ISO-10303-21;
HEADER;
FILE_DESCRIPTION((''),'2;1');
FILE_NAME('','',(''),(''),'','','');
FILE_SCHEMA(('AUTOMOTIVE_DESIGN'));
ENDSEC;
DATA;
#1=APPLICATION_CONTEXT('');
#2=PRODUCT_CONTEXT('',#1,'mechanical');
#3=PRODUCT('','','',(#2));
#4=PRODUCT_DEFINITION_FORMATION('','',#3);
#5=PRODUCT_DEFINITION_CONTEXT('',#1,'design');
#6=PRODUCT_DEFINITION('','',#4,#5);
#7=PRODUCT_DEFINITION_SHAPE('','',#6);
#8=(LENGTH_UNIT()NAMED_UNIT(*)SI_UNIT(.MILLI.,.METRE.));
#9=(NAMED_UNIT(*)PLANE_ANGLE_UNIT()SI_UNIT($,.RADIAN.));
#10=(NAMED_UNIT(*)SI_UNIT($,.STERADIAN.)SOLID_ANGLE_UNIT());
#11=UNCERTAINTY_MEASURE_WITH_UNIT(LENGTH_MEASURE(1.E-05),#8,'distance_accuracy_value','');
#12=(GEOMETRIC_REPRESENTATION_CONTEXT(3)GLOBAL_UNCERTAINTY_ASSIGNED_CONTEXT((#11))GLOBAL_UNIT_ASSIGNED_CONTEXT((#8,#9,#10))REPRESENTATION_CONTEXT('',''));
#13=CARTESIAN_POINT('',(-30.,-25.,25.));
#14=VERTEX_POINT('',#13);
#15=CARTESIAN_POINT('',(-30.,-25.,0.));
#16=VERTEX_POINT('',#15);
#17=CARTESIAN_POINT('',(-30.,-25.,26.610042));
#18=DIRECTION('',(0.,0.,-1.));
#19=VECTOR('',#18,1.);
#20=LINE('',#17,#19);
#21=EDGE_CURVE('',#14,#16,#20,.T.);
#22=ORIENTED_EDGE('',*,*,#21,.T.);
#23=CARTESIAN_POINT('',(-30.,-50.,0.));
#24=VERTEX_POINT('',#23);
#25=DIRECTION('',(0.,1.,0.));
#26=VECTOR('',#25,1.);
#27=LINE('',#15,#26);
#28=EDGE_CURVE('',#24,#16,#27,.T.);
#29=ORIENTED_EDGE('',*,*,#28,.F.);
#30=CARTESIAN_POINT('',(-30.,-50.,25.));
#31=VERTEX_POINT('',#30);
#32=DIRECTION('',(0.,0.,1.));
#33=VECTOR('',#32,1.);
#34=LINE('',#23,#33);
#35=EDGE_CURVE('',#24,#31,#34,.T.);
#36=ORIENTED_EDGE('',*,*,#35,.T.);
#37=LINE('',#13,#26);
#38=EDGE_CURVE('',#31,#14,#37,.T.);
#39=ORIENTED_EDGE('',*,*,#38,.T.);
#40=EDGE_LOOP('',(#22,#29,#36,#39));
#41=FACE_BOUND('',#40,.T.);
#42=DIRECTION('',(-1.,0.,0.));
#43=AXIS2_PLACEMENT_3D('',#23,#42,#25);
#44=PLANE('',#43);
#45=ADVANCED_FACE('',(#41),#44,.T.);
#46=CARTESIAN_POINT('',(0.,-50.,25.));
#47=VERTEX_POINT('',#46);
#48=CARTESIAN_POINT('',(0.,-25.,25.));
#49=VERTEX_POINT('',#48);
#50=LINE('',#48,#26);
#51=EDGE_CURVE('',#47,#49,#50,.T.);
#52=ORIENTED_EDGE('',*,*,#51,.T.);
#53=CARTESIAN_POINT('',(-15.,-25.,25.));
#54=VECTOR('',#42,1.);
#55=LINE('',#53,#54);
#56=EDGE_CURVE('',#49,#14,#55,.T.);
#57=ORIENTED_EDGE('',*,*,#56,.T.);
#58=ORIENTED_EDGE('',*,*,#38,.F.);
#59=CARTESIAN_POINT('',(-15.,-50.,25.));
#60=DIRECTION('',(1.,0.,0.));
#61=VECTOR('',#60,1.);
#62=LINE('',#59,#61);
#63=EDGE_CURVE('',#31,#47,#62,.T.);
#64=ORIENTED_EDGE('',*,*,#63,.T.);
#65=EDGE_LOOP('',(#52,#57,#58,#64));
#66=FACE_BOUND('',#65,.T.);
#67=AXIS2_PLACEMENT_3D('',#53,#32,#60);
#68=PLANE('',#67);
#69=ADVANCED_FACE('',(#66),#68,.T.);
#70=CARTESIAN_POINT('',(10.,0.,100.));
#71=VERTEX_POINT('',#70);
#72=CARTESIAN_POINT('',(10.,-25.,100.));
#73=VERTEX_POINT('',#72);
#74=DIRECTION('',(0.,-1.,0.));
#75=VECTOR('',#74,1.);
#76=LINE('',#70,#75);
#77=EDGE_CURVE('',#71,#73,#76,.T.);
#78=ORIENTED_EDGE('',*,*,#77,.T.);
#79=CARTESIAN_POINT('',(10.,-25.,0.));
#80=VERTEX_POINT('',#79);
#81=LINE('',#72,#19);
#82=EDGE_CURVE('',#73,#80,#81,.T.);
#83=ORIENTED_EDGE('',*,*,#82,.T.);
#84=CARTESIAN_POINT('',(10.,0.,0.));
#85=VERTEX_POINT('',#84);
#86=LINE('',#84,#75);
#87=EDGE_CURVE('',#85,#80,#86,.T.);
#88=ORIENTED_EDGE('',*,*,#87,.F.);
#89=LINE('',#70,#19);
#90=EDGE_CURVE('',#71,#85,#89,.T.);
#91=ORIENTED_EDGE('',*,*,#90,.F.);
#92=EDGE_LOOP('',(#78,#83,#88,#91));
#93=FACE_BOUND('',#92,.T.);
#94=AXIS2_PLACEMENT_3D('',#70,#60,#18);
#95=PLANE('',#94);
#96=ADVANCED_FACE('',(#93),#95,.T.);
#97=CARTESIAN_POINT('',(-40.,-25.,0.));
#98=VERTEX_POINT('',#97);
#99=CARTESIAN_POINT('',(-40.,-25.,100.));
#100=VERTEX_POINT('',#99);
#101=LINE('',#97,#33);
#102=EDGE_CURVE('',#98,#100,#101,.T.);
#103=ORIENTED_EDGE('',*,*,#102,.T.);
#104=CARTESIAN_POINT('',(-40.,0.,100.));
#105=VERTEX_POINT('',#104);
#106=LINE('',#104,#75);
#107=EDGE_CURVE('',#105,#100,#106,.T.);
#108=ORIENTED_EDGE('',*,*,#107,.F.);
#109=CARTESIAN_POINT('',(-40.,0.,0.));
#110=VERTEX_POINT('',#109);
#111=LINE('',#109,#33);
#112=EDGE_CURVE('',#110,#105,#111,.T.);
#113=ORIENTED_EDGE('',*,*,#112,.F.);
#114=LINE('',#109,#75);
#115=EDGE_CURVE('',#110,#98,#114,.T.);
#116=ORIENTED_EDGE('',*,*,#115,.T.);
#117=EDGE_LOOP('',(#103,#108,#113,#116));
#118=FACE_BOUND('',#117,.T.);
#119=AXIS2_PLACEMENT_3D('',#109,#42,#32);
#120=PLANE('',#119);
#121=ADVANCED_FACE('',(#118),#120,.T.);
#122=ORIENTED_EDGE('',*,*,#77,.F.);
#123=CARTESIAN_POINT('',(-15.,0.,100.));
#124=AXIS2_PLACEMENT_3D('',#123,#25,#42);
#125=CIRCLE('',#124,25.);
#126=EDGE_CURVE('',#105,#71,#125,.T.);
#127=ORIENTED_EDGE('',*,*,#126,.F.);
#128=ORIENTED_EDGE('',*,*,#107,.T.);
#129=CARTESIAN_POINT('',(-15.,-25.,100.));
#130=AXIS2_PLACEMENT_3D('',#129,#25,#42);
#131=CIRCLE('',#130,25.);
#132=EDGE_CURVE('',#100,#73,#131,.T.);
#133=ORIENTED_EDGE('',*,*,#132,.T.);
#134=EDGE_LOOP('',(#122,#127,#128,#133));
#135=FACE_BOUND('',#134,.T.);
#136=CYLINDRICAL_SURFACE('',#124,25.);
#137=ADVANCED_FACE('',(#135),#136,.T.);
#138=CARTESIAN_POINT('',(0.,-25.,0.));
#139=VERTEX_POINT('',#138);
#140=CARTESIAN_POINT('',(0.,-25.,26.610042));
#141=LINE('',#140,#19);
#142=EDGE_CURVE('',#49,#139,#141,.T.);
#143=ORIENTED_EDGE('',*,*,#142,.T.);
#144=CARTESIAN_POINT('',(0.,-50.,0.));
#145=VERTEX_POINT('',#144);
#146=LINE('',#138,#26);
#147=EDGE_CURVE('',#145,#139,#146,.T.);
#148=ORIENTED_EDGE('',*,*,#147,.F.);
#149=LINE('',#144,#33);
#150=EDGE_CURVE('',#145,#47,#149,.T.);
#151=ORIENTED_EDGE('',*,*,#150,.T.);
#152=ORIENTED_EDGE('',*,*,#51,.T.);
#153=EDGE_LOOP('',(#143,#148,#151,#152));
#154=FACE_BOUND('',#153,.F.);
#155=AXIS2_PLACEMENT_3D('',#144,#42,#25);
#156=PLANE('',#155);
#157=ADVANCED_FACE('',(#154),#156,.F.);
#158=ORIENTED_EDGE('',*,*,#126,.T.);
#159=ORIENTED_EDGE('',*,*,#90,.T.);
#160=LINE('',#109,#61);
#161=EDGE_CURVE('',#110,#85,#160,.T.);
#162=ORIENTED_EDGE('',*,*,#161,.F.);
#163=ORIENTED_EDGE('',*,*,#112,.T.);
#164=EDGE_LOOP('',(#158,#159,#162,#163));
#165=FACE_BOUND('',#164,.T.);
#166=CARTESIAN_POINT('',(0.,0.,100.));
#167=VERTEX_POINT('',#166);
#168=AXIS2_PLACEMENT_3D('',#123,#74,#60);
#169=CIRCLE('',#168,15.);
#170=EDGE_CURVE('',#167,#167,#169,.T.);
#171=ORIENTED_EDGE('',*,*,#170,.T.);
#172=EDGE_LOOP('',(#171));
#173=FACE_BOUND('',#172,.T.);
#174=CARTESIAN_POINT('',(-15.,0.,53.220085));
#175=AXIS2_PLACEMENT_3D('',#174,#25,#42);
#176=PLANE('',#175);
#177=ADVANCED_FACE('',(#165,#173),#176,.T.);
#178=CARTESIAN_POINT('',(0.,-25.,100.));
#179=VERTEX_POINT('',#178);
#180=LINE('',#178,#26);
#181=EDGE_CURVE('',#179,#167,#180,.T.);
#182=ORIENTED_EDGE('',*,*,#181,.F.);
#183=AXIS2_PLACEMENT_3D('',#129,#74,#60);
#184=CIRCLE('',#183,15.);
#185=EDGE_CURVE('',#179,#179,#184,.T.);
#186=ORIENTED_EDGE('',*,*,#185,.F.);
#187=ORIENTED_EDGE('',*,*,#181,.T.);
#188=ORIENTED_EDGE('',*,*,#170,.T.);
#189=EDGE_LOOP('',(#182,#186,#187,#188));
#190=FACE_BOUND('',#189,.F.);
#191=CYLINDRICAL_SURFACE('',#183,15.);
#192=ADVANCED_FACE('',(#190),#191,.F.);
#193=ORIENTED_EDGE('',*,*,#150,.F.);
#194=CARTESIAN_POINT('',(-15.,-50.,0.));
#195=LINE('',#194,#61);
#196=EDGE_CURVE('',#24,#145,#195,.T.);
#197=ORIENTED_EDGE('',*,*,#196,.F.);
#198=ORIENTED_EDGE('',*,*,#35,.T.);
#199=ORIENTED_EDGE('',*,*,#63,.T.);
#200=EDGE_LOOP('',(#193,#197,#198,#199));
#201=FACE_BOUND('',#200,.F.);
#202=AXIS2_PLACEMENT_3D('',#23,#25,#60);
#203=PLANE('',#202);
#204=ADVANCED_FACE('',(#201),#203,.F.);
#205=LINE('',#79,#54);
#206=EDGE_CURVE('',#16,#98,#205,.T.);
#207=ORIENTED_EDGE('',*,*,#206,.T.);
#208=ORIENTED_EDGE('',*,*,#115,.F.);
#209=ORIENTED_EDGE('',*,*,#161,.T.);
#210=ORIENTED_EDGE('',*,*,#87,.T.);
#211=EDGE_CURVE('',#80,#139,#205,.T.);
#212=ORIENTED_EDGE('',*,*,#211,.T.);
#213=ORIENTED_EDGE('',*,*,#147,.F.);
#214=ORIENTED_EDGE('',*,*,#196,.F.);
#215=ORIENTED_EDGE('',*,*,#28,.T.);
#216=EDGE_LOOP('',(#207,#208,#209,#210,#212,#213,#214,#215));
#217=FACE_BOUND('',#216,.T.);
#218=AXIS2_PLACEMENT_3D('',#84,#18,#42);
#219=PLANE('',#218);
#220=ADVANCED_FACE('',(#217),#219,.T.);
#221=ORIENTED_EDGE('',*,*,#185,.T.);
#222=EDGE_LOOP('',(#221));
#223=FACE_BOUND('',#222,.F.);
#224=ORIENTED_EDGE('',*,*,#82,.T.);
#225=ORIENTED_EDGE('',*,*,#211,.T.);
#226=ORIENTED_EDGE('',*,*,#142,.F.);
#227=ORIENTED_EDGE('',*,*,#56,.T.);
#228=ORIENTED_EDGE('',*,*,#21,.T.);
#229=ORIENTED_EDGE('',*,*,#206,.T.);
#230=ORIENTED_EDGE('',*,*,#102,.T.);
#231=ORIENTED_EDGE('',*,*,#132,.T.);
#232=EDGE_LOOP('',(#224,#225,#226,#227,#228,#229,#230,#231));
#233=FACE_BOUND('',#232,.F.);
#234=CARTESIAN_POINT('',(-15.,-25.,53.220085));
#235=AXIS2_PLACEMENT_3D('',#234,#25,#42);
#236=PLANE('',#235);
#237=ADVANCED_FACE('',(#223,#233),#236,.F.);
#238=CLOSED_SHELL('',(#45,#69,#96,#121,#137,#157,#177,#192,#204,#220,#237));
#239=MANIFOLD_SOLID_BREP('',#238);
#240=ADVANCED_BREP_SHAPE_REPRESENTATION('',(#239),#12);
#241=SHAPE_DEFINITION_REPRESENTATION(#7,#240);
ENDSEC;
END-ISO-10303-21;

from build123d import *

# Parameters (mm, degrees)
F0_W     = 30
F0_H     = 50
F1_DEPTH = 25
F2_W     = 30
F2_H     = 25
F3_DEPTH = 25
F4_R     = 15
F5_DEPTH = 25


with BuildPart() as f1:
    # F0 (on Top) → F1 (new body)
    with BuildSketch(Plane.XY):
        with Locations((-15, -25)):
            Rectangle(F0_W, F0_H)
    extrude(amount=F1_DEPTH)

    # F2 (on face) → F3 (join)
    with BuildSketch(Plane(origin=(0, 0, 0), x_dir=(-1, 0, 0), z_dir=(0, 1, 0))):
        with BuildLine():
            Line((-10, 100), (-10, 0))
            Line((-10, 0), (0, 0))
            Line((0, 0), (0, 25))
            Line((0, 25), (30, 25))
            Line((30, 25), (30, 0))
            Line((30, 0), (40, 0))
            Line((40, 0), (40, 100))
            ThreePointArc((40, 100), (15, 125), (-10, 100))
        make_face()
        with Locations((15, 12.5)):
            Rectangle(F2_W, F2_H)
    extrude(amount=-F3_DEPTH)

    # F4 (on face) → F5 (cut)
    with BuildSketch(Plane.XZ.offset(25)):
        with Locations((-15, 100)):
            Circle(F4_R)
    extrude(amount=-F5_DEPTH, mode=Mode.SUBTRACT)


solid = f1.part
